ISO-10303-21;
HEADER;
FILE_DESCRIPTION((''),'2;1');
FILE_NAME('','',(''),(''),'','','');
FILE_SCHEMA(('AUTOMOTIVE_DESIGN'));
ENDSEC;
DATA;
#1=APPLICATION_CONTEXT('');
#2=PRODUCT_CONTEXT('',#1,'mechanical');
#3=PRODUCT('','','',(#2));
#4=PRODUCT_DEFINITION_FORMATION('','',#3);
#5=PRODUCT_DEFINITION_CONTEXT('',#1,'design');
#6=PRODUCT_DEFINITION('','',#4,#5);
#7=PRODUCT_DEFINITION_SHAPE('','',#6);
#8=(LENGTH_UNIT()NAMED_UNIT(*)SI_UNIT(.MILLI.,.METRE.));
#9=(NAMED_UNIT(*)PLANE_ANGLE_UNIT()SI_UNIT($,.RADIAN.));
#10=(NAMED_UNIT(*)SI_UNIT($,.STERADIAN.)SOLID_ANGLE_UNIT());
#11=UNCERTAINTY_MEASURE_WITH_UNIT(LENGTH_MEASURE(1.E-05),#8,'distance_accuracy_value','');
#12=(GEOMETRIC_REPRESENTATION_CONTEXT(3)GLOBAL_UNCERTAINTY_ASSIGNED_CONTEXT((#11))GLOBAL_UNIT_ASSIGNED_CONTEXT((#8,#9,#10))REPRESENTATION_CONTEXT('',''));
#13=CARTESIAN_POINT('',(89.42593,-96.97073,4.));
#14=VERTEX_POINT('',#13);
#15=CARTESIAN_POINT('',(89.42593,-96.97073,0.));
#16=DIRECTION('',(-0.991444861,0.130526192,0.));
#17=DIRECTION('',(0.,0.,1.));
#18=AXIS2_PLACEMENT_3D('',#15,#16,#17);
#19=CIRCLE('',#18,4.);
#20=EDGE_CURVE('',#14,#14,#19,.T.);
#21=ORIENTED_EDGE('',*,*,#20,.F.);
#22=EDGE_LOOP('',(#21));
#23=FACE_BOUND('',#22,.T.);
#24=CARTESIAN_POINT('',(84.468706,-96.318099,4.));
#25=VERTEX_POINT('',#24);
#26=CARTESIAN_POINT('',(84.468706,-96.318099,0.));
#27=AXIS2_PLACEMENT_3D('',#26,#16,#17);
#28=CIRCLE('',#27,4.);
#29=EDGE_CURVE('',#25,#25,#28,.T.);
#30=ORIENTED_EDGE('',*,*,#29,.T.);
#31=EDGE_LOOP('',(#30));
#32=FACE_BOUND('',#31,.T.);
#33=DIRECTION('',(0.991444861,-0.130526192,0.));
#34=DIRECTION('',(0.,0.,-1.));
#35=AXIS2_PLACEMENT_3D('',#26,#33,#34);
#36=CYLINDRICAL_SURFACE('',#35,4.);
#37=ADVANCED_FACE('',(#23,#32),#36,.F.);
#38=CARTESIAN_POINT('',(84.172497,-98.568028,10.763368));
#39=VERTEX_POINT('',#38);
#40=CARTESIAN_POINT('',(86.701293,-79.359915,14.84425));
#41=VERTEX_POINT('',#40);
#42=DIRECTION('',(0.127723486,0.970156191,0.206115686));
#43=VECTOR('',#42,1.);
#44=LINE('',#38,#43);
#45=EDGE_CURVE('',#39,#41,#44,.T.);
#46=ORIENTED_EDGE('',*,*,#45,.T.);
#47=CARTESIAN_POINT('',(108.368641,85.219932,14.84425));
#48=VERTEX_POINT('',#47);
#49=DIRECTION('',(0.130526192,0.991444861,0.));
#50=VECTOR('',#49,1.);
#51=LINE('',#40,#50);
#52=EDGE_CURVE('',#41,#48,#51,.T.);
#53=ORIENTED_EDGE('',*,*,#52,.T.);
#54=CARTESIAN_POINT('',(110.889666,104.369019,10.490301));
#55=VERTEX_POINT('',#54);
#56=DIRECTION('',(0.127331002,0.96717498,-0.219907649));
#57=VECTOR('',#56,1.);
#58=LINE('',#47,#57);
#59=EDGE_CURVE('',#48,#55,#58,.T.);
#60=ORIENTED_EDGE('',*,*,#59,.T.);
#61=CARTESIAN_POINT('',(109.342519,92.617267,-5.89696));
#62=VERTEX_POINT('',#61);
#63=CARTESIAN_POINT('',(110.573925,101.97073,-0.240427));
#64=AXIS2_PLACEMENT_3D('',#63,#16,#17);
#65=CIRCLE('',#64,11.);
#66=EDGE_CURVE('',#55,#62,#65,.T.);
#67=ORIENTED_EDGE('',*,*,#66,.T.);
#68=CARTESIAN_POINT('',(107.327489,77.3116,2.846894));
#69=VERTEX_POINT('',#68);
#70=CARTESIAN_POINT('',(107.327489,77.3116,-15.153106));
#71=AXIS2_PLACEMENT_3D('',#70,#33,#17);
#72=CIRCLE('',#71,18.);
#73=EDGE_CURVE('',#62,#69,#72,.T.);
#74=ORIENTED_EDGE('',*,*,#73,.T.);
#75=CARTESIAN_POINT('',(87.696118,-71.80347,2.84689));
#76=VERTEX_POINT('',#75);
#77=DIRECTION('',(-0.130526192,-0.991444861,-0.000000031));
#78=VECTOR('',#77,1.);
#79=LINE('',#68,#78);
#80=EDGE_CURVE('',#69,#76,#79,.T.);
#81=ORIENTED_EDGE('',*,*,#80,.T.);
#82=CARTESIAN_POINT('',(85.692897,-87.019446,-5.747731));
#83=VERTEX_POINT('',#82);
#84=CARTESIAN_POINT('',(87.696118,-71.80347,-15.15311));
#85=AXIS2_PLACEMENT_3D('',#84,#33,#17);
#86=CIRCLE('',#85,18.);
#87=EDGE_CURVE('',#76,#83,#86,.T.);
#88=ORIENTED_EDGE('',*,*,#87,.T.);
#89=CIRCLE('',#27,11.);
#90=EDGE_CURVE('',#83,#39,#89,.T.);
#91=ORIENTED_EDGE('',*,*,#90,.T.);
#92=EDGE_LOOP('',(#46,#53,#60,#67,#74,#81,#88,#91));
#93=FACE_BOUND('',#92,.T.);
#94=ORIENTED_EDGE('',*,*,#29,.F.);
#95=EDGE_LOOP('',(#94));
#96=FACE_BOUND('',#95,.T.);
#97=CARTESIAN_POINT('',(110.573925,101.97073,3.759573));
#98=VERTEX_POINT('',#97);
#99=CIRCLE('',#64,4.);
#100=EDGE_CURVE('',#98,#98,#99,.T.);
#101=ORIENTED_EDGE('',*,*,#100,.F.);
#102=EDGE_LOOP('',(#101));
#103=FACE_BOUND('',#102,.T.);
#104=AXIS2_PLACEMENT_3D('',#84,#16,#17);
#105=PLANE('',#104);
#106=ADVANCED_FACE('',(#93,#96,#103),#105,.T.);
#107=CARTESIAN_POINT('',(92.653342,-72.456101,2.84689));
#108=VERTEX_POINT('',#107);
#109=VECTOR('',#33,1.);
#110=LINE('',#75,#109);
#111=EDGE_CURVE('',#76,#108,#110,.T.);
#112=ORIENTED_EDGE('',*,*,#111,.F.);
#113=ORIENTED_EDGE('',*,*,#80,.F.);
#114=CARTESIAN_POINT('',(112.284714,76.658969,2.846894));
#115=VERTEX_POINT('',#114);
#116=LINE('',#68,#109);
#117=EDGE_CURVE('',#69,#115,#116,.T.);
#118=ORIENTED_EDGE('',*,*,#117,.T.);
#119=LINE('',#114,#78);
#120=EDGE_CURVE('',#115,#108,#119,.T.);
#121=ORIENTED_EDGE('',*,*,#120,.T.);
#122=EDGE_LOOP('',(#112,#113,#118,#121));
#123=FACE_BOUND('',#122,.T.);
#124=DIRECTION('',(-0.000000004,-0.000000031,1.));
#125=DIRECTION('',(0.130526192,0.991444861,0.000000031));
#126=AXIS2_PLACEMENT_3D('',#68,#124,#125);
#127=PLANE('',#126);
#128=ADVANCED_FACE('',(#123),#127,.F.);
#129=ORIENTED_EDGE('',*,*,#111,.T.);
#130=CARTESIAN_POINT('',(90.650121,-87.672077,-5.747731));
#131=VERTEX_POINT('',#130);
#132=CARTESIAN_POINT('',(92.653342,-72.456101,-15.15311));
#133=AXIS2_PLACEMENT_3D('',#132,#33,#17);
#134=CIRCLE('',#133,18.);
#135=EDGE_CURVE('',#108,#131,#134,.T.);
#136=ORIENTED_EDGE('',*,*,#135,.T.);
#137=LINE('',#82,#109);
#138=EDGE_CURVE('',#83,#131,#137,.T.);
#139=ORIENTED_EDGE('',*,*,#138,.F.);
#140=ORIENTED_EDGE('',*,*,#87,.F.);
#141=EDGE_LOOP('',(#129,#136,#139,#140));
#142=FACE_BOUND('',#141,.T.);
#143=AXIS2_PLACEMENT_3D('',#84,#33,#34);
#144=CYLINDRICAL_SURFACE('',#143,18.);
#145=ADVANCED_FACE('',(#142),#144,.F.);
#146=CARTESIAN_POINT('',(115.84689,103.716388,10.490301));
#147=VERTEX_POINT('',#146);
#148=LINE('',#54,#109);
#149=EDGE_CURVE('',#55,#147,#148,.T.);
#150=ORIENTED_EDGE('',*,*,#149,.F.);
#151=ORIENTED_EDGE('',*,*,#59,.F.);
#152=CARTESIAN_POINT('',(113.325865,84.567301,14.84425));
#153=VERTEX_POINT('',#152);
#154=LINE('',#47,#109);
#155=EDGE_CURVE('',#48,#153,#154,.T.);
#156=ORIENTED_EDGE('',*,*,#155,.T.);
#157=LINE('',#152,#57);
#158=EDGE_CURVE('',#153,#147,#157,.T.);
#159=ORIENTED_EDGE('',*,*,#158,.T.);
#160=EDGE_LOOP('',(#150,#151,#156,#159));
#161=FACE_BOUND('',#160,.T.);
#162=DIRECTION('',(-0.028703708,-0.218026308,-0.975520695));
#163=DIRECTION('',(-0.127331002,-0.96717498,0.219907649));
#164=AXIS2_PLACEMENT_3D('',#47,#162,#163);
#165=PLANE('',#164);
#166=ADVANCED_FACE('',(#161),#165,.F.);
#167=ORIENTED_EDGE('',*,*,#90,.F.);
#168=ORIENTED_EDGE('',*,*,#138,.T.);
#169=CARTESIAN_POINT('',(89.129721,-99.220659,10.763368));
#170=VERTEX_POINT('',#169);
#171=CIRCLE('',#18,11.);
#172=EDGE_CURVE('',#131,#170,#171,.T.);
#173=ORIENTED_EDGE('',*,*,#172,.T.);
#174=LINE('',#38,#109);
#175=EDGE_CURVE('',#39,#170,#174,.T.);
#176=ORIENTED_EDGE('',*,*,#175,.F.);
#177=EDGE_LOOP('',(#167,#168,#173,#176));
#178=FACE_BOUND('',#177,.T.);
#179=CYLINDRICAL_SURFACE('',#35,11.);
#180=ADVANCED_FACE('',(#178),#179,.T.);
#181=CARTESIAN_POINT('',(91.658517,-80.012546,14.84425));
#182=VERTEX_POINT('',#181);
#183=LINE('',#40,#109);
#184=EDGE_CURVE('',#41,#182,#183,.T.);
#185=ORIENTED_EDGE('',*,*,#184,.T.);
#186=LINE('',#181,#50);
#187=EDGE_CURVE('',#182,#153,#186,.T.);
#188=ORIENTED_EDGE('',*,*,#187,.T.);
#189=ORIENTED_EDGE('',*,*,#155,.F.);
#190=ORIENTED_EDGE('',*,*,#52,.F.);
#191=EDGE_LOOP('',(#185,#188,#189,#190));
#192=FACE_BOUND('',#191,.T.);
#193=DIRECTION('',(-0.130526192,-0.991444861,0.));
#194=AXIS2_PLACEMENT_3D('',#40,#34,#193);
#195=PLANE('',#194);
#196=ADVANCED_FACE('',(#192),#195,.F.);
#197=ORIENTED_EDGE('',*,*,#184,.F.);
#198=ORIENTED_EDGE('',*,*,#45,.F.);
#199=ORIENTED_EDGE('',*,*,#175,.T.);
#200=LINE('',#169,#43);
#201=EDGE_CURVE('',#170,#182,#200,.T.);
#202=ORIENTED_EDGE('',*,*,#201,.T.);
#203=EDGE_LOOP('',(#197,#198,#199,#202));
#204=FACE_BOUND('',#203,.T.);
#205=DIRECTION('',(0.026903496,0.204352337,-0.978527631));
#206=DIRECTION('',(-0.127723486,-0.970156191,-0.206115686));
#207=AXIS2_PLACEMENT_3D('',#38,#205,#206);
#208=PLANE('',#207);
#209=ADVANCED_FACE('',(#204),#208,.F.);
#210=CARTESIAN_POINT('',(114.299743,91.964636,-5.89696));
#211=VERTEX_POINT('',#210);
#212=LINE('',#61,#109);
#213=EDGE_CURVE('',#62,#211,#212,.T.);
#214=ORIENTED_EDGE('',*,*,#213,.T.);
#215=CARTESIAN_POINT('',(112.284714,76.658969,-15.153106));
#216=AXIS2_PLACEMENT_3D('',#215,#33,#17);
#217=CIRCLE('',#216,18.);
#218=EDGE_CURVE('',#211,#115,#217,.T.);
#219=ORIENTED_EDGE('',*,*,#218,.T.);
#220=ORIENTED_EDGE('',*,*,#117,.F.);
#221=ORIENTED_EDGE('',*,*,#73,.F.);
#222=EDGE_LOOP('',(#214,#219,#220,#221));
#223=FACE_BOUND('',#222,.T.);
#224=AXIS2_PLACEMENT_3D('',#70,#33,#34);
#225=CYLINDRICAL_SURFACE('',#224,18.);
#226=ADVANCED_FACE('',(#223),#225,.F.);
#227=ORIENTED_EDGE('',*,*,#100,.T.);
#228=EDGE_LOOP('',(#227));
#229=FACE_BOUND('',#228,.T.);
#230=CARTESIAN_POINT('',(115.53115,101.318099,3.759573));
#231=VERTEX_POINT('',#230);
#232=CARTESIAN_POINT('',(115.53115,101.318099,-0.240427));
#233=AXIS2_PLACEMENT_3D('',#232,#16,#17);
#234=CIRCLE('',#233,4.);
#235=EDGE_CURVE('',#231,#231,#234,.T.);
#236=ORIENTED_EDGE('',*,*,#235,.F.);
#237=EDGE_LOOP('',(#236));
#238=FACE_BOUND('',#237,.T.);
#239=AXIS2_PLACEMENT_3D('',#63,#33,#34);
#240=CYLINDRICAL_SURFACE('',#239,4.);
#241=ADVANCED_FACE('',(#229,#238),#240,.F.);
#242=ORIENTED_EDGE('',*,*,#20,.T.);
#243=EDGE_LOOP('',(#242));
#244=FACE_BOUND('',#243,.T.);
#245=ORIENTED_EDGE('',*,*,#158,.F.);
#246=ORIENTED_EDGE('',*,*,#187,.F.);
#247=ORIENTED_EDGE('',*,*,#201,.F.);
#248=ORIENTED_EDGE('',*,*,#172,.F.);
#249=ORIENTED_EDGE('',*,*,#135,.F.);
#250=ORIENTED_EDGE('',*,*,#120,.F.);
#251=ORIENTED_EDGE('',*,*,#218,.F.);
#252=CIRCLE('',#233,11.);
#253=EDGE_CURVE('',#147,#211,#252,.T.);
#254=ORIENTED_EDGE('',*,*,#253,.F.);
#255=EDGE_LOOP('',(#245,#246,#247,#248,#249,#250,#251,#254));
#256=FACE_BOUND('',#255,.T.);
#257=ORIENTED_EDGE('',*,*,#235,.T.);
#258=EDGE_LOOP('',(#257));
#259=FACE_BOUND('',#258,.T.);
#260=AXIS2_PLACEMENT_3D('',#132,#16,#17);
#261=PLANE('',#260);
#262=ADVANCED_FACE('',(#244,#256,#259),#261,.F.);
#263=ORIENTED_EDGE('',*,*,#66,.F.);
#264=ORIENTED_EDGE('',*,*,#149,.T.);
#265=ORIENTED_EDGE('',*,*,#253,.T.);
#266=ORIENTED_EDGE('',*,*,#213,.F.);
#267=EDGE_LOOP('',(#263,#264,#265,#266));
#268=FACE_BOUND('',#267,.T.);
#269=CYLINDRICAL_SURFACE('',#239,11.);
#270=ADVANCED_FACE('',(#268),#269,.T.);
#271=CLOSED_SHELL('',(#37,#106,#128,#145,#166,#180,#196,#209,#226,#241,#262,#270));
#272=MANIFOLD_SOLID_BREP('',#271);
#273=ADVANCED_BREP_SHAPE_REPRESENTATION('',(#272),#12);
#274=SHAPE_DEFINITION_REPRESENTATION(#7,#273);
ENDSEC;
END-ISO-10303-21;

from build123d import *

# Parameters (mm, degrees)
SKETCH1_R             = 4
BOSS_EXTRUDE1_DEPTH   = 5
BODY_MOVE_COPY1_ANGLE = 82.5


with BuildPart() as part:
    # Sketch1 → Boss-Extrude1 (new body)
    with BuildSketch(Plane(origin=(0, 0, 0), x_dir=(1, 0, 0), z_dir=(0, 1, 0))):
        with BuildLine():
            Line((17.104515265, -14.844249905), (183.104515265, -14.844249905))
            Line((183.104515265, -14.844249905), (202.418839623, -10.490300594))
            ThreePointArc((202.418839623, -10.490300594), (208.912700196, 6.687224641), (190.565681892, 5.896960314))
            ThreePointArc((190.565681892, 5.896960314), (183.998945909, -0.509119996), (175.127942725, -2.846894344))
            Line((175.127942725, -2.846894344), (24.726164692, -2.84688969))
            ThreePointArc((24.726164692, -2.84688969), (15.931189962, -0.551933774), (9.378890583, 5.747730981))
            ThreePointArc((9.378890583, 5.747730981), (-8.988354121, 6.341095346), (-2.269343204, -10.763367569))
            Line((-2.269343204, -10.763367569), (17.104515265, -14.844249905))
        make_face()
        Circle(SKETCH1_R, mode=Mode.SUBTRACT)
        with Locations((199.999855487, 0.240427049)):
            Circle(SKETCH1_R, mode=Mode.SUBTRACT)
    extrude(amount=BOSS_EXTRUDE1_DEPTH)


with BuildPart() as part_1:
    # Body-Move/Copy1: moved
    add(part.part.rotate(Axis((99.999927744, 2.5, 0), (0, 0, 1)), BODY_MOVE_COPY1_ANGLE))


solid = part_1.part
